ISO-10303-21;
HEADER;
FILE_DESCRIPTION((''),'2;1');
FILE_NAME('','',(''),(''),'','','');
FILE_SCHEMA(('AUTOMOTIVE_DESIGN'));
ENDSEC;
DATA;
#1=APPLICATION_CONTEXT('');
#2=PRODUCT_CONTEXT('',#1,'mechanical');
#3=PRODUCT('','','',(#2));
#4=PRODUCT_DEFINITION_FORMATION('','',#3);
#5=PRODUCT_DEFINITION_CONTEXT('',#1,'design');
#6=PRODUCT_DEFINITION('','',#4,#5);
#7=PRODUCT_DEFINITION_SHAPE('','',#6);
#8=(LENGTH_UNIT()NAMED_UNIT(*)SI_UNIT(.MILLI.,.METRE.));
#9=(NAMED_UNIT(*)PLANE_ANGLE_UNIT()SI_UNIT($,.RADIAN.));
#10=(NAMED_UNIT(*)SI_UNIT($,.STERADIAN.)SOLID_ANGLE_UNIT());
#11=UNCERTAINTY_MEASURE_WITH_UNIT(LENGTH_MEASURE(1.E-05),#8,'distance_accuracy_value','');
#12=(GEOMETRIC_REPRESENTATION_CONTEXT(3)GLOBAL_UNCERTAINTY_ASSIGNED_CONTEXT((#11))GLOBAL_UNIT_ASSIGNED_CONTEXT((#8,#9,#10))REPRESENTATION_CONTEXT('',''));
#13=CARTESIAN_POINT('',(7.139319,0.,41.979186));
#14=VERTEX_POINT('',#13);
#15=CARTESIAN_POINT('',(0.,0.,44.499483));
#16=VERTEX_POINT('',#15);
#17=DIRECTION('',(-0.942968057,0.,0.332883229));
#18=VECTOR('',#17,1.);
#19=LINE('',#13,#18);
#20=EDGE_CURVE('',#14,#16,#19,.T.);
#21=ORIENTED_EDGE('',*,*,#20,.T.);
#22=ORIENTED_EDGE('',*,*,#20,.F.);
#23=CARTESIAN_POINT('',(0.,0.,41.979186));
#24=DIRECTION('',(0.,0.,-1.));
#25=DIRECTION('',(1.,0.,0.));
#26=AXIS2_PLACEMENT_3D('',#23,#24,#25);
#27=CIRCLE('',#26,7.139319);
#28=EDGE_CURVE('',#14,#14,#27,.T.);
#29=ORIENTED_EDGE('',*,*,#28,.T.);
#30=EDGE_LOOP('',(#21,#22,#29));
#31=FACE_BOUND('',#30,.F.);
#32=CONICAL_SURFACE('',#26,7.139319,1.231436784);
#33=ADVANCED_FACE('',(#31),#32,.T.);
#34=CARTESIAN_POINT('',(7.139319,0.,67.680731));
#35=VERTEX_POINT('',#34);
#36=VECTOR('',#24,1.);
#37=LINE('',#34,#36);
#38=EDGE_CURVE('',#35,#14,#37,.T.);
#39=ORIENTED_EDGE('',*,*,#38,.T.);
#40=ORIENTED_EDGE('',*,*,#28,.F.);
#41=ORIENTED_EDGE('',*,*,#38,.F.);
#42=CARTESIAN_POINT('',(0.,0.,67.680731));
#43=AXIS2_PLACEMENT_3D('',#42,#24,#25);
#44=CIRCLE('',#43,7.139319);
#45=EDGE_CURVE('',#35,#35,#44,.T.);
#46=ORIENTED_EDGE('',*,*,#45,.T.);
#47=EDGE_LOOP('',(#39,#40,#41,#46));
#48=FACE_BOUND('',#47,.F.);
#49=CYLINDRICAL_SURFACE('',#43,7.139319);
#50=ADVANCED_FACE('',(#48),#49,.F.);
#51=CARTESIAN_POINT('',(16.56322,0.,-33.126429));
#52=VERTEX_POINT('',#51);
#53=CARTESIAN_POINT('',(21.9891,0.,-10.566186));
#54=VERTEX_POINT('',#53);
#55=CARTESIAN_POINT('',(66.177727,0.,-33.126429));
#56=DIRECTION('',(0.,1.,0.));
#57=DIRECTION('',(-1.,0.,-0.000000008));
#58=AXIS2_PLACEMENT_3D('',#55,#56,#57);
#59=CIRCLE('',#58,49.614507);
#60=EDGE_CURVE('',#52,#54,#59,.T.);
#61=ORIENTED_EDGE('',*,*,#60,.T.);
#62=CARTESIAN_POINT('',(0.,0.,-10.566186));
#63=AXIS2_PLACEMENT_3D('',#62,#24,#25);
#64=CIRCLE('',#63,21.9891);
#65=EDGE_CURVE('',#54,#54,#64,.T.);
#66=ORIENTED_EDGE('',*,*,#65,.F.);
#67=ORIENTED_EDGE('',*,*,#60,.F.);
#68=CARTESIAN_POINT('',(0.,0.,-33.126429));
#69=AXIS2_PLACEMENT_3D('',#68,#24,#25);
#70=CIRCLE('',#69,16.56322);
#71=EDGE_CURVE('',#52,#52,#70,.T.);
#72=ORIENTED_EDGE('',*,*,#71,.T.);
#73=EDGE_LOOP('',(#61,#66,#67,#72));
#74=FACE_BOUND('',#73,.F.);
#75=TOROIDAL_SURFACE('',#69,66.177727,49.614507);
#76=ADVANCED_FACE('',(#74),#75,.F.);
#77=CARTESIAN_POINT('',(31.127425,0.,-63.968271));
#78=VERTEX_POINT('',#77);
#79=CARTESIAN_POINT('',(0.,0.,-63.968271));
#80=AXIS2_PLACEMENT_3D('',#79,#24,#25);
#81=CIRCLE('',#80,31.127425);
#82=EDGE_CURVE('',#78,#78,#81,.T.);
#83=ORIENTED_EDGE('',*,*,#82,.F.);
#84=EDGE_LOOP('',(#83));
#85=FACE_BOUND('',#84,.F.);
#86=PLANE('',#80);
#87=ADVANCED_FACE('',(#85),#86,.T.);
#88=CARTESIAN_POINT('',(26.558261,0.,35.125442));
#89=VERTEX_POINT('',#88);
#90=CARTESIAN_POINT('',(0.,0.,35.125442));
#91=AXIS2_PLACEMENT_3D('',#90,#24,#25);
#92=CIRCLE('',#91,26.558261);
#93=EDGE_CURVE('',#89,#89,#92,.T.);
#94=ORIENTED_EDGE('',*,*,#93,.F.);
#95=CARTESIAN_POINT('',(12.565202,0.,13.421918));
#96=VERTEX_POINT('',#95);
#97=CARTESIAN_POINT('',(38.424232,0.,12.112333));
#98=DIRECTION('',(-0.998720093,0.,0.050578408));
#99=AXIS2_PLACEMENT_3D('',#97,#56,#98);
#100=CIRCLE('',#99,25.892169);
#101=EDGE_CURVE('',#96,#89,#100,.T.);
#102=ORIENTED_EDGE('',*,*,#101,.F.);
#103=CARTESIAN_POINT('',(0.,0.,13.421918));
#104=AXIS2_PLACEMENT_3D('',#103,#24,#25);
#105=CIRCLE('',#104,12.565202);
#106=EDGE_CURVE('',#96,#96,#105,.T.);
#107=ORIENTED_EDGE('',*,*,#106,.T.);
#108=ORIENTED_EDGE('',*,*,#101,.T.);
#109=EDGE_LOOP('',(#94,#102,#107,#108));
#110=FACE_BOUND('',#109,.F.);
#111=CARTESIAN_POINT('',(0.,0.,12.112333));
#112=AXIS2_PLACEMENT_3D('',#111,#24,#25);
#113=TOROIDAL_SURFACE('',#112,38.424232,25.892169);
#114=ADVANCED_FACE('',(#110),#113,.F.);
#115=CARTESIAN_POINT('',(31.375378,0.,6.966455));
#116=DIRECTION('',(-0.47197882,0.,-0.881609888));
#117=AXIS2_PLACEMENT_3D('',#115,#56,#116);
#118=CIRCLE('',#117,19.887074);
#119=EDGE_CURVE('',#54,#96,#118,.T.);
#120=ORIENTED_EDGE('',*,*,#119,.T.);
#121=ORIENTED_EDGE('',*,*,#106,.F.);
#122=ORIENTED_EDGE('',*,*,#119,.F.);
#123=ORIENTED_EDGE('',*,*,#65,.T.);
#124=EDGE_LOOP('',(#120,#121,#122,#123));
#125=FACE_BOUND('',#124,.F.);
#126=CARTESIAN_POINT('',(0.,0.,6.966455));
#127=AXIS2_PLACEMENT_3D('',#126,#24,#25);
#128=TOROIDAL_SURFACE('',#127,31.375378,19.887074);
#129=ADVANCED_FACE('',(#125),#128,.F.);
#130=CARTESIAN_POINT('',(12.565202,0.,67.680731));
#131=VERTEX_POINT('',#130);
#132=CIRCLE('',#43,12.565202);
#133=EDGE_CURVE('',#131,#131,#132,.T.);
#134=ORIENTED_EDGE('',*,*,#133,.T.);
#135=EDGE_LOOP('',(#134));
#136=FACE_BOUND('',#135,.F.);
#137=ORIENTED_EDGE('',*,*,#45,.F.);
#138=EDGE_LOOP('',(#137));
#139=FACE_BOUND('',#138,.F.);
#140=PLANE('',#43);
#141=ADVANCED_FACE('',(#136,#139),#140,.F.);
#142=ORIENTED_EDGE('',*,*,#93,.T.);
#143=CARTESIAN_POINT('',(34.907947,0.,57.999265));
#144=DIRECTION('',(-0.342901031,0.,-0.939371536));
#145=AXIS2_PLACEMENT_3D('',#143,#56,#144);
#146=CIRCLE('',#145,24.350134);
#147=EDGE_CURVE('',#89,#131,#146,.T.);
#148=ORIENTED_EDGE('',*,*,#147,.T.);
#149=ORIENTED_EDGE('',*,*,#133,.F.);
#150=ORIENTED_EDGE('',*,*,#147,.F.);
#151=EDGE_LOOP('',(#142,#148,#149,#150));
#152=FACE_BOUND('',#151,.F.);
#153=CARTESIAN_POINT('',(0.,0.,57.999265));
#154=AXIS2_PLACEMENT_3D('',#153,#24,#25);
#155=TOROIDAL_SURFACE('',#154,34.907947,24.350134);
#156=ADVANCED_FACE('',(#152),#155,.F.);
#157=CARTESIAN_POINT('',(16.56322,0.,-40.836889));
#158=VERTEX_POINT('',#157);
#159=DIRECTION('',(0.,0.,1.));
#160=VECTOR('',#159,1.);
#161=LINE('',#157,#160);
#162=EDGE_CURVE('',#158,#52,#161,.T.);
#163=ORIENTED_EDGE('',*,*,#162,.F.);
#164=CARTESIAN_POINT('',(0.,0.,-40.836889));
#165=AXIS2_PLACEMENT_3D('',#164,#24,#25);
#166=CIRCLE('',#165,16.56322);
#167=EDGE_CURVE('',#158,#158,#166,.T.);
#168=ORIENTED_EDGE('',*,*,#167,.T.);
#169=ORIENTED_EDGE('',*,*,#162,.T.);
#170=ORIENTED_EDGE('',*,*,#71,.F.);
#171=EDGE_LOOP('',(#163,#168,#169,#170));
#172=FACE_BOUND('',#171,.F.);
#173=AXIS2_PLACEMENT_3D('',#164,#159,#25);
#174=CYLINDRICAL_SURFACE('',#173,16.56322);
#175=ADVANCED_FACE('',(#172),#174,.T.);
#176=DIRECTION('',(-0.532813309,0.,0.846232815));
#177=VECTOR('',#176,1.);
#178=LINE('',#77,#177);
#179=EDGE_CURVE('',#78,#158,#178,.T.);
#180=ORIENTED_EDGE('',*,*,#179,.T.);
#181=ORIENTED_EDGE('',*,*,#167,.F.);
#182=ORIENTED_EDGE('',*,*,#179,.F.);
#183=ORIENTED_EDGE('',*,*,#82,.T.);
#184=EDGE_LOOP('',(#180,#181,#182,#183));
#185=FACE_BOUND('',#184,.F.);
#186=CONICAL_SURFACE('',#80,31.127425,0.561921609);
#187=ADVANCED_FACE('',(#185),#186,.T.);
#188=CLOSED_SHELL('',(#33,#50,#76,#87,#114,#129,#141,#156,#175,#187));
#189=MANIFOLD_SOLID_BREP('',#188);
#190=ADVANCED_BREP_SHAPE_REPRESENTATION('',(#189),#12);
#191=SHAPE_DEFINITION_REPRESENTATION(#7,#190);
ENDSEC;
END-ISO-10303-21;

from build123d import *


with BuildPart() as f1:
    # F0 (on Front) → F1 (revolve)
    with BuildSketch(Plane.XZ):
        with BuildLine():
            Line((7.139319, 41.979186), (0, 44.499483))
            Line((0, 44.499483), (0, 37.981167))
            Line((0, 37.981167), (0, -63.968271))
            Line((0, -63.968271), (31.127425, -63.968271))
            Line((31.127425, -63.968271), (16.56322, -40.836889))
            Line((16.56322, -40.836889), (16.56322, -33.126429))
            ThreePointArc((16.56322, -33.126429), (17.938758, -21.524654), (21.9891, -10.566186))
            ThreePointArc((21.9891, -10.566186), (12.865454, -0.305301), (12.565202, 13.421918))
            ThreePointArc((12.565202, 13.421918), (16.662921, 26.14265), (26.558261, 35.125442))
            ThreePointArc((26.558261, 35.125442), (12.536804, 48.383601), (12.565202, 67.680731))
            Line((12.565202, 67.680731), (7.139319, 67.680731))
            Line((7.139319, 67.680731), (7.139319, 41.979186))
        make_face()
    revolve(axis=Axis((0, 0, -2.570149), (0, 0, -1)))


solid = f1.part
